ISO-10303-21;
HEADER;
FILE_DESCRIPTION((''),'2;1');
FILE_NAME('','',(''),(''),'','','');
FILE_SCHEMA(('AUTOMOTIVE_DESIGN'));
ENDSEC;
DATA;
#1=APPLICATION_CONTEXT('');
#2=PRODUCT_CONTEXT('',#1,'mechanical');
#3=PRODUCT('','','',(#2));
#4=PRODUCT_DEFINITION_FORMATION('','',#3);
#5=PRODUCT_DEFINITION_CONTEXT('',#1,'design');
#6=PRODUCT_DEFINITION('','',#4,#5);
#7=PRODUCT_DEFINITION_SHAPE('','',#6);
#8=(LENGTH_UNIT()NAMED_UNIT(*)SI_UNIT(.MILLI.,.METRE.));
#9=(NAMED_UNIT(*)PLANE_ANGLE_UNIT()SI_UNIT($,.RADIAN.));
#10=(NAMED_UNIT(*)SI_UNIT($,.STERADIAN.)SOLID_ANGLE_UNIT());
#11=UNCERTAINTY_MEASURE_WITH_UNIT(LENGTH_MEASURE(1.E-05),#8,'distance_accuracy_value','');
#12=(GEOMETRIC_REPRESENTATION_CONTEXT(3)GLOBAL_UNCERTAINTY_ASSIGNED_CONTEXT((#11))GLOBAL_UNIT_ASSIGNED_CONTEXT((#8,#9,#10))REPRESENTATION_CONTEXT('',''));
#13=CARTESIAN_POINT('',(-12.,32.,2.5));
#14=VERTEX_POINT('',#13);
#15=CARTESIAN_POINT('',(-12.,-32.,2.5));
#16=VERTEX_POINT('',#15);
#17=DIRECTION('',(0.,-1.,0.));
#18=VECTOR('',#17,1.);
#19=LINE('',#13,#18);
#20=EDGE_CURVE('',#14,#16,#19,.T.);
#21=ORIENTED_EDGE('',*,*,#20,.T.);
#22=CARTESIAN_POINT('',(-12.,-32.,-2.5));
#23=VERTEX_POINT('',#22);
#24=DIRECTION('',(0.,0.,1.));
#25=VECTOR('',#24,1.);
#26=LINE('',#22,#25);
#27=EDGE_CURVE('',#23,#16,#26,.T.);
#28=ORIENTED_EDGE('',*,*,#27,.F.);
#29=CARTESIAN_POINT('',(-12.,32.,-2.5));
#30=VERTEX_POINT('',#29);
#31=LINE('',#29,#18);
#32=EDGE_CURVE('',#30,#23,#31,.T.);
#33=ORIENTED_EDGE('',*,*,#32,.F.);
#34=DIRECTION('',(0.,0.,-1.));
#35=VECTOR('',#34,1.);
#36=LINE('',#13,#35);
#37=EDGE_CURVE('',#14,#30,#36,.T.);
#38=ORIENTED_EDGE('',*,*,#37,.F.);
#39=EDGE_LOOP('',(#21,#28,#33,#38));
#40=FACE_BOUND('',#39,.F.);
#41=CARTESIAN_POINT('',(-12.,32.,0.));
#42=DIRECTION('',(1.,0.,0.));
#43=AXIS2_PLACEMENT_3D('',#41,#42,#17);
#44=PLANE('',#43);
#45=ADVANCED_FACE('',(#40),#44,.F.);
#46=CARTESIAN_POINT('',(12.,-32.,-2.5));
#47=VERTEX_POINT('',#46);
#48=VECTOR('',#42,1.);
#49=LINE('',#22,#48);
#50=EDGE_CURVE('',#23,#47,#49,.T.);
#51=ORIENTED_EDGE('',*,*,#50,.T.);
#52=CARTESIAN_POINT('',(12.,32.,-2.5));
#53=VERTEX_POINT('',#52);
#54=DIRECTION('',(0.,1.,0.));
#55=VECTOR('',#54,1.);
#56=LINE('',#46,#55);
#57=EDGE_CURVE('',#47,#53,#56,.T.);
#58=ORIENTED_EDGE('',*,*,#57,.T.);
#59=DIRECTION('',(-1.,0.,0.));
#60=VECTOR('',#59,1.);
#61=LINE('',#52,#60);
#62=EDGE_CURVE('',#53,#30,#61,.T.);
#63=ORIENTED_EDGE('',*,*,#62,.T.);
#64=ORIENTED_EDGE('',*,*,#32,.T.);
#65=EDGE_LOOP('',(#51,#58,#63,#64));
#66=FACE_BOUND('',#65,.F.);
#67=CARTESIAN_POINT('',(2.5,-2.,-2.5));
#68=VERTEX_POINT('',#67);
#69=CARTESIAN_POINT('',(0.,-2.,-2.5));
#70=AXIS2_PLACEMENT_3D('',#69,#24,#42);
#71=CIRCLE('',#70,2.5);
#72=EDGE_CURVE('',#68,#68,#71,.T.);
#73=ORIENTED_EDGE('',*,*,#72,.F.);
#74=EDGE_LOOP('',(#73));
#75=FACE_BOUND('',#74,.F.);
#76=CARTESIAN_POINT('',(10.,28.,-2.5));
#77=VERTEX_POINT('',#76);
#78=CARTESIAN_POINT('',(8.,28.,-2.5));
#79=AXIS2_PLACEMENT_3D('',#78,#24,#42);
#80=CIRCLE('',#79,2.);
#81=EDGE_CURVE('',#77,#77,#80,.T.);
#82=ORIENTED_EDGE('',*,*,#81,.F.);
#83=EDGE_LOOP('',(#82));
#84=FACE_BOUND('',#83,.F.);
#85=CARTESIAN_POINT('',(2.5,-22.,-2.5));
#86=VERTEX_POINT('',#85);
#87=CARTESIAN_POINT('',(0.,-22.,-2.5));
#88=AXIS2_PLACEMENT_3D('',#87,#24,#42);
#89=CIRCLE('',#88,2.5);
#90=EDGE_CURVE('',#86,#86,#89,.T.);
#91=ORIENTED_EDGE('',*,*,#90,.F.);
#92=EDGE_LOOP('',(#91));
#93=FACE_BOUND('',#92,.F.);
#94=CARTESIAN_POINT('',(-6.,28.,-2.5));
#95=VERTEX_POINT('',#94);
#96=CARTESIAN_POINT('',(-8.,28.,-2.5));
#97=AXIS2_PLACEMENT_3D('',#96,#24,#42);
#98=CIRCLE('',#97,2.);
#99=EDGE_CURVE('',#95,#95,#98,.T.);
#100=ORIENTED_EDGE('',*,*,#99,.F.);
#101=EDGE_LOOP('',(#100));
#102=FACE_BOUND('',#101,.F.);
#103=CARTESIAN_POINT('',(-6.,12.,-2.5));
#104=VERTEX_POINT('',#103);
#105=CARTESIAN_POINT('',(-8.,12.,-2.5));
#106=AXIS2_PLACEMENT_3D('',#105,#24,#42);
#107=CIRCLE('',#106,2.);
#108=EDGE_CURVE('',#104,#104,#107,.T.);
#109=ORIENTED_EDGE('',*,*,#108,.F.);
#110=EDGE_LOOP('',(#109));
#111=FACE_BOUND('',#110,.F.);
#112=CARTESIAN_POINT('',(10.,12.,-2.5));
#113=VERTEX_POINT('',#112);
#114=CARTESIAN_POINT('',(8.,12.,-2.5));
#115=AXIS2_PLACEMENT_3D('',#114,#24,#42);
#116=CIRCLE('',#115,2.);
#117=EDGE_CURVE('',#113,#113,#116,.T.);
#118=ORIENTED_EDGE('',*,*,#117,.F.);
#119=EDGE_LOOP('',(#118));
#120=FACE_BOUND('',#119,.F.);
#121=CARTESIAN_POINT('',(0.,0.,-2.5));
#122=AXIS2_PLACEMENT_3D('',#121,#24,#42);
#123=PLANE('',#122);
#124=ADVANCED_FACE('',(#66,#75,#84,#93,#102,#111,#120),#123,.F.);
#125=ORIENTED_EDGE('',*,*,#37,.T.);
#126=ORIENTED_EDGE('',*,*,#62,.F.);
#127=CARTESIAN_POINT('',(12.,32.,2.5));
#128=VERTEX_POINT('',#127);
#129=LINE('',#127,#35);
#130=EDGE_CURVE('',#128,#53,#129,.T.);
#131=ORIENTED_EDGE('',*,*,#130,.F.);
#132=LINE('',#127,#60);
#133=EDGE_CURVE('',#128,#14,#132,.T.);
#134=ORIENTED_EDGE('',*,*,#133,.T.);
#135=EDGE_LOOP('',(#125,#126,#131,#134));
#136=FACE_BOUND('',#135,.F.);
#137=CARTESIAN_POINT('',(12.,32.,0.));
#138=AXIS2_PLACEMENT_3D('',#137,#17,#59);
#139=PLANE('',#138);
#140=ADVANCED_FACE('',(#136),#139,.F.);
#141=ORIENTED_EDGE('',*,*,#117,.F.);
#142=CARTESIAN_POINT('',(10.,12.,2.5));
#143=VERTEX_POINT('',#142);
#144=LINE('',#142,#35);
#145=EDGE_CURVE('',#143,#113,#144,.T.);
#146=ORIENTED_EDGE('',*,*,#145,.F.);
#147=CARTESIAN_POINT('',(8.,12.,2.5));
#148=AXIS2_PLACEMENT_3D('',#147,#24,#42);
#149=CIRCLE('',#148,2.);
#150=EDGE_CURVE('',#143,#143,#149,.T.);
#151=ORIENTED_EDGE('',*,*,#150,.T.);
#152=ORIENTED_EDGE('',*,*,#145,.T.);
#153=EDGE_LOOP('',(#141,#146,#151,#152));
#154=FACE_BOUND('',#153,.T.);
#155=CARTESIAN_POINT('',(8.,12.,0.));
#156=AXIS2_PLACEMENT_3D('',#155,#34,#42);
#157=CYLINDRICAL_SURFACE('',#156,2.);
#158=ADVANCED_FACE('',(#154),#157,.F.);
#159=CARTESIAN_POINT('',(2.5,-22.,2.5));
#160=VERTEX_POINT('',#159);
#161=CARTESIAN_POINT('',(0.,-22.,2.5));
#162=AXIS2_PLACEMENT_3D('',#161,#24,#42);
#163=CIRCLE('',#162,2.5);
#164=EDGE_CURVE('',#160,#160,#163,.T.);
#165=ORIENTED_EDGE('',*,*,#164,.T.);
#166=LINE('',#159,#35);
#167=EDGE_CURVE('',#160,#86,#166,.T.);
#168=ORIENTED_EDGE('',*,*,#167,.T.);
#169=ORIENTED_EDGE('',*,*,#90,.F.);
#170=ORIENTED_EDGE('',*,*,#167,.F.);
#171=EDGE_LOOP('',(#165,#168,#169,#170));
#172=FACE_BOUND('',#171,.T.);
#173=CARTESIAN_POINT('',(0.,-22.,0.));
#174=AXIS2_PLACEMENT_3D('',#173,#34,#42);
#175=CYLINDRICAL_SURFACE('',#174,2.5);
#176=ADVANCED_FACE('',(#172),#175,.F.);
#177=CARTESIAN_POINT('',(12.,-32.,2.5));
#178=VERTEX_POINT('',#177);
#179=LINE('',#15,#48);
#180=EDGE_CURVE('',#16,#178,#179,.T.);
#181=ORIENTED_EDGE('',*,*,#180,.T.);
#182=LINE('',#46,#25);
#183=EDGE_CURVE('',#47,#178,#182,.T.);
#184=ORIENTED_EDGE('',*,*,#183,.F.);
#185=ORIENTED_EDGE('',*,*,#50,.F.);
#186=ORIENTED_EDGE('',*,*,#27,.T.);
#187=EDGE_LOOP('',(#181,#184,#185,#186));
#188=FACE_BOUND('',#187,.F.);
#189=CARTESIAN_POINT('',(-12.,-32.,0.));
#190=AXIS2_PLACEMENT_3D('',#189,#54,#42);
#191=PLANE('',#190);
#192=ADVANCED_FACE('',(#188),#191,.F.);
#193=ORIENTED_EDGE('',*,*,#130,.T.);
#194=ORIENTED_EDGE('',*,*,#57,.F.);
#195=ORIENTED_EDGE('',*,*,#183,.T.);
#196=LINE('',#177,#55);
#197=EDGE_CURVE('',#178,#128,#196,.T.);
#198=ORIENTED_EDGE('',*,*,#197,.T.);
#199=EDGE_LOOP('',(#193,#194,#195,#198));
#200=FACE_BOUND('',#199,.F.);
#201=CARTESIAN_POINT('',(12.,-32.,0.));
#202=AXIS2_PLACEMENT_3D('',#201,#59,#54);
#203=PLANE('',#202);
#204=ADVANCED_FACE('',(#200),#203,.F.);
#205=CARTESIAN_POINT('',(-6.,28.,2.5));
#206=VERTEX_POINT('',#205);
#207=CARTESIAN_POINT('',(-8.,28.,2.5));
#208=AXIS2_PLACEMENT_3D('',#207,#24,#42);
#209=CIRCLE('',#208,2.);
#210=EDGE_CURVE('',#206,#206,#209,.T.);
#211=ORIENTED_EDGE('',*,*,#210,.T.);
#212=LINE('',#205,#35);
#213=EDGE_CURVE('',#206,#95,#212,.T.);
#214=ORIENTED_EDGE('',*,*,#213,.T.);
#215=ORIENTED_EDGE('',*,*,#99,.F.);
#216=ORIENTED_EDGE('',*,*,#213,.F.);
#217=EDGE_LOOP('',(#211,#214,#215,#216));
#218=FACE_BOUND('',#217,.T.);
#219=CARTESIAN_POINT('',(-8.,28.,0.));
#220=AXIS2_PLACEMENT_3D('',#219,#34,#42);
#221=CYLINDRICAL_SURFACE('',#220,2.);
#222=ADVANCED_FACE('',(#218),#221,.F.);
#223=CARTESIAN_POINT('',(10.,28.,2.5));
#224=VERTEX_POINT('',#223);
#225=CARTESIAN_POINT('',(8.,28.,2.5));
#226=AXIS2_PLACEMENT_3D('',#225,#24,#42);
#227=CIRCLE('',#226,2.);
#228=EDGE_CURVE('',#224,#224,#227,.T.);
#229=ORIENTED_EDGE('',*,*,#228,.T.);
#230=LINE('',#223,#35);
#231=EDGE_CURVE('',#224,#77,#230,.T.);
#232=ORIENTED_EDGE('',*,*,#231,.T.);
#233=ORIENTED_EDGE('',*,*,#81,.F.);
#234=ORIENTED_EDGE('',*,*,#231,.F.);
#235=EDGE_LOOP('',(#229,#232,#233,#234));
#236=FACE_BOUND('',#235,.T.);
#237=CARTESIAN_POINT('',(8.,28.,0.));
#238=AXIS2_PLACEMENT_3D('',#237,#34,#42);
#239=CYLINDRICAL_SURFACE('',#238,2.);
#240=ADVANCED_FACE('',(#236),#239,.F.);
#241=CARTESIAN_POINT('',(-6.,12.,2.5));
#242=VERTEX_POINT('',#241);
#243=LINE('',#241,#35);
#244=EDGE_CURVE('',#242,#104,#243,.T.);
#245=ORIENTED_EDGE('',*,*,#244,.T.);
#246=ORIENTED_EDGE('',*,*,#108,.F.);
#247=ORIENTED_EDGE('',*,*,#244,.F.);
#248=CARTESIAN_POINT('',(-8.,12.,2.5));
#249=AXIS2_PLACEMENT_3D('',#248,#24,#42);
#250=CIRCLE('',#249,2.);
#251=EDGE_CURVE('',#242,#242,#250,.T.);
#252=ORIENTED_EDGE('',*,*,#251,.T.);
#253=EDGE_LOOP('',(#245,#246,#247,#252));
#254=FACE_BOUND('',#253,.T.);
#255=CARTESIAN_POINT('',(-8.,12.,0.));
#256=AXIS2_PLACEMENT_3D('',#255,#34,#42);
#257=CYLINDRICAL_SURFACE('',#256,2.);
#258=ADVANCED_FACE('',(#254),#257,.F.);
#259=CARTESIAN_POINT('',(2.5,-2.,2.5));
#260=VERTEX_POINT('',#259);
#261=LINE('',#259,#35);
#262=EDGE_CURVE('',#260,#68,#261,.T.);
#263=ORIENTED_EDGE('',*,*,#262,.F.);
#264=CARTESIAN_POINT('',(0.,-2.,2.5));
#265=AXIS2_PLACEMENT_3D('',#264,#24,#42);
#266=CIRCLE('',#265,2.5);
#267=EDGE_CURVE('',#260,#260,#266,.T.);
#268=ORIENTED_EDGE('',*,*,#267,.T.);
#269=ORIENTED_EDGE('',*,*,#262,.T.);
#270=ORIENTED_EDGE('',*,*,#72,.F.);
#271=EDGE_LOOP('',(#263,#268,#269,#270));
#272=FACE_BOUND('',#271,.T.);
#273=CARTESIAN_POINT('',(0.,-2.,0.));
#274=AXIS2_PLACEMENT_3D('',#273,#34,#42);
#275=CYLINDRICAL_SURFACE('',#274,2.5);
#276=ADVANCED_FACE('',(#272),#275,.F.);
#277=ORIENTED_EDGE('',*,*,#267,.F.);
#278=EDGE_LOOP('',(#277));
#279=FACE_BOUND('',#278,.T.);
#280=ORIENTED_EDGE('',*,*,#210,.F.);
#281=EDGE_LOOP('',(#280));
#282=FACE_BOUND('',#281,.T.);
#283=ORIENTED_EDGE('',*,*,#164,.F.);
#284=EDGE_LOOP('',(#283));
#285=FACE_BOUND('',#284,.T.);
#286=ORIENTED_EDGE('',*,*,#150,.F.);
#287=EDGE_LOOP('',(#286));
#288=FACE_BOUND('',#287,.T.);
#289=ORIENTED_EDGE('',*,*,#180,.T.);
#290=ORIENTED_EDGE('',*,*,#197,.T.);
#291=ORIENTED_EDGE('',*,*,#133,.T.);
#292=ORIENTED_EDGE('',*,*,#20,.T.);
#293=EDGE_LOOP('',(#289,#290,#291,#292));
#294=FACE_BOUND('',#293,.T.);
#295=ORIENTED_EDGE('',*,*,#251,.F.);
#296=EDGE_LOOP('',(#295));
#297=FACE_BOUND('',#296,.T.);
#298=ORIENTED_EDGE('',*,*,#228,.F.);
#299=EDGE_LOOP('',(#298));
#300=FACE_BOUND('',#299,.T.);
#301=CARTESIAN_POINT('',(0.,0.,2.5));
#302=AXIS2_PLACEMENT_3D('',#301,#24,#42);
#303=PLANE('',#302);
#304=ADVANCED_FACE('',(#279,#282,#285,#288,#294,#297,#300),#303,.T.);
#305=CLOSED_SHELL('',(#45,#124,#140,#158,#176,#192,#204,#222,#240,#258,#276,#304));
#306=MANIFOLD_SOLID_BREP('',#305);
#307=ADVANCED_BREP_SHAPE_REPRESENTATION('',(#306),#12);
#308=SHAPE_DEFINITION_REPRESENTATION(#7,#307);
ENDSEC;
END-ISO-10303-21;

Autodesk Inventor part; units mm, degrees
ref_plane "YZ Plane" through (0, 0, 0) normal (1, 0, 0) x (0, 1, 0)
ref_plane "XZ Plane" through (0, 0, 0) normal (0, 1, 0) x (-1, 0, 0)
ref_plane "XY Plane" through (0, 0, 0) normal (0, 0, 1) x (1, 0, 0)
sketch "Sketch1" plane through (0, 0, 0) normal (0, 0, 1) x (1, 0, 0)
  line L0 (-12, -32) -> (12, -32)
  line L1 (12, -32) -> (12, 32)
  line L2 (12, 32) -> (-12, 32)
  line L3 (-12, 32) -> (-12, -32)
  line L4 (-12, -32) -> (12, 32) construction
  line L5 (12, -32) -> (-12, 32) construction
  circle A0 centre (-8, 28) radius 2
  circle A1 centre (-8, 12) radius 2
  circle A2 centre (8, 28) radius 2
  circle A3 centre (8, 12) radius 2
  circle A4 centre (0, -22) radius 2.5
  circle A5 centre (0, -2) radius 2.5
  point P0 (0, 0)
  dimension "d0" = 24
  dimension "d1" = 64
  dimension "d2" = 4
  dimension "d3" = 4
  dimension "d4" = 4
  dimension "d5" = 4
  dimension "d6" = 4
  dimension "d7" = 4
  dimension "d8" = 4
  dimension "d9" = 16
  dimension "d10" = 5
  dimension "d11" = 5
  dimension "d12" = 10
  dimension "d13" = 20
  dimension "d14" = 12
extrude "Extrusion1" add sketch "Sketch1" along normal mid plane 5
properties part number "2020 goRail Bracket"
